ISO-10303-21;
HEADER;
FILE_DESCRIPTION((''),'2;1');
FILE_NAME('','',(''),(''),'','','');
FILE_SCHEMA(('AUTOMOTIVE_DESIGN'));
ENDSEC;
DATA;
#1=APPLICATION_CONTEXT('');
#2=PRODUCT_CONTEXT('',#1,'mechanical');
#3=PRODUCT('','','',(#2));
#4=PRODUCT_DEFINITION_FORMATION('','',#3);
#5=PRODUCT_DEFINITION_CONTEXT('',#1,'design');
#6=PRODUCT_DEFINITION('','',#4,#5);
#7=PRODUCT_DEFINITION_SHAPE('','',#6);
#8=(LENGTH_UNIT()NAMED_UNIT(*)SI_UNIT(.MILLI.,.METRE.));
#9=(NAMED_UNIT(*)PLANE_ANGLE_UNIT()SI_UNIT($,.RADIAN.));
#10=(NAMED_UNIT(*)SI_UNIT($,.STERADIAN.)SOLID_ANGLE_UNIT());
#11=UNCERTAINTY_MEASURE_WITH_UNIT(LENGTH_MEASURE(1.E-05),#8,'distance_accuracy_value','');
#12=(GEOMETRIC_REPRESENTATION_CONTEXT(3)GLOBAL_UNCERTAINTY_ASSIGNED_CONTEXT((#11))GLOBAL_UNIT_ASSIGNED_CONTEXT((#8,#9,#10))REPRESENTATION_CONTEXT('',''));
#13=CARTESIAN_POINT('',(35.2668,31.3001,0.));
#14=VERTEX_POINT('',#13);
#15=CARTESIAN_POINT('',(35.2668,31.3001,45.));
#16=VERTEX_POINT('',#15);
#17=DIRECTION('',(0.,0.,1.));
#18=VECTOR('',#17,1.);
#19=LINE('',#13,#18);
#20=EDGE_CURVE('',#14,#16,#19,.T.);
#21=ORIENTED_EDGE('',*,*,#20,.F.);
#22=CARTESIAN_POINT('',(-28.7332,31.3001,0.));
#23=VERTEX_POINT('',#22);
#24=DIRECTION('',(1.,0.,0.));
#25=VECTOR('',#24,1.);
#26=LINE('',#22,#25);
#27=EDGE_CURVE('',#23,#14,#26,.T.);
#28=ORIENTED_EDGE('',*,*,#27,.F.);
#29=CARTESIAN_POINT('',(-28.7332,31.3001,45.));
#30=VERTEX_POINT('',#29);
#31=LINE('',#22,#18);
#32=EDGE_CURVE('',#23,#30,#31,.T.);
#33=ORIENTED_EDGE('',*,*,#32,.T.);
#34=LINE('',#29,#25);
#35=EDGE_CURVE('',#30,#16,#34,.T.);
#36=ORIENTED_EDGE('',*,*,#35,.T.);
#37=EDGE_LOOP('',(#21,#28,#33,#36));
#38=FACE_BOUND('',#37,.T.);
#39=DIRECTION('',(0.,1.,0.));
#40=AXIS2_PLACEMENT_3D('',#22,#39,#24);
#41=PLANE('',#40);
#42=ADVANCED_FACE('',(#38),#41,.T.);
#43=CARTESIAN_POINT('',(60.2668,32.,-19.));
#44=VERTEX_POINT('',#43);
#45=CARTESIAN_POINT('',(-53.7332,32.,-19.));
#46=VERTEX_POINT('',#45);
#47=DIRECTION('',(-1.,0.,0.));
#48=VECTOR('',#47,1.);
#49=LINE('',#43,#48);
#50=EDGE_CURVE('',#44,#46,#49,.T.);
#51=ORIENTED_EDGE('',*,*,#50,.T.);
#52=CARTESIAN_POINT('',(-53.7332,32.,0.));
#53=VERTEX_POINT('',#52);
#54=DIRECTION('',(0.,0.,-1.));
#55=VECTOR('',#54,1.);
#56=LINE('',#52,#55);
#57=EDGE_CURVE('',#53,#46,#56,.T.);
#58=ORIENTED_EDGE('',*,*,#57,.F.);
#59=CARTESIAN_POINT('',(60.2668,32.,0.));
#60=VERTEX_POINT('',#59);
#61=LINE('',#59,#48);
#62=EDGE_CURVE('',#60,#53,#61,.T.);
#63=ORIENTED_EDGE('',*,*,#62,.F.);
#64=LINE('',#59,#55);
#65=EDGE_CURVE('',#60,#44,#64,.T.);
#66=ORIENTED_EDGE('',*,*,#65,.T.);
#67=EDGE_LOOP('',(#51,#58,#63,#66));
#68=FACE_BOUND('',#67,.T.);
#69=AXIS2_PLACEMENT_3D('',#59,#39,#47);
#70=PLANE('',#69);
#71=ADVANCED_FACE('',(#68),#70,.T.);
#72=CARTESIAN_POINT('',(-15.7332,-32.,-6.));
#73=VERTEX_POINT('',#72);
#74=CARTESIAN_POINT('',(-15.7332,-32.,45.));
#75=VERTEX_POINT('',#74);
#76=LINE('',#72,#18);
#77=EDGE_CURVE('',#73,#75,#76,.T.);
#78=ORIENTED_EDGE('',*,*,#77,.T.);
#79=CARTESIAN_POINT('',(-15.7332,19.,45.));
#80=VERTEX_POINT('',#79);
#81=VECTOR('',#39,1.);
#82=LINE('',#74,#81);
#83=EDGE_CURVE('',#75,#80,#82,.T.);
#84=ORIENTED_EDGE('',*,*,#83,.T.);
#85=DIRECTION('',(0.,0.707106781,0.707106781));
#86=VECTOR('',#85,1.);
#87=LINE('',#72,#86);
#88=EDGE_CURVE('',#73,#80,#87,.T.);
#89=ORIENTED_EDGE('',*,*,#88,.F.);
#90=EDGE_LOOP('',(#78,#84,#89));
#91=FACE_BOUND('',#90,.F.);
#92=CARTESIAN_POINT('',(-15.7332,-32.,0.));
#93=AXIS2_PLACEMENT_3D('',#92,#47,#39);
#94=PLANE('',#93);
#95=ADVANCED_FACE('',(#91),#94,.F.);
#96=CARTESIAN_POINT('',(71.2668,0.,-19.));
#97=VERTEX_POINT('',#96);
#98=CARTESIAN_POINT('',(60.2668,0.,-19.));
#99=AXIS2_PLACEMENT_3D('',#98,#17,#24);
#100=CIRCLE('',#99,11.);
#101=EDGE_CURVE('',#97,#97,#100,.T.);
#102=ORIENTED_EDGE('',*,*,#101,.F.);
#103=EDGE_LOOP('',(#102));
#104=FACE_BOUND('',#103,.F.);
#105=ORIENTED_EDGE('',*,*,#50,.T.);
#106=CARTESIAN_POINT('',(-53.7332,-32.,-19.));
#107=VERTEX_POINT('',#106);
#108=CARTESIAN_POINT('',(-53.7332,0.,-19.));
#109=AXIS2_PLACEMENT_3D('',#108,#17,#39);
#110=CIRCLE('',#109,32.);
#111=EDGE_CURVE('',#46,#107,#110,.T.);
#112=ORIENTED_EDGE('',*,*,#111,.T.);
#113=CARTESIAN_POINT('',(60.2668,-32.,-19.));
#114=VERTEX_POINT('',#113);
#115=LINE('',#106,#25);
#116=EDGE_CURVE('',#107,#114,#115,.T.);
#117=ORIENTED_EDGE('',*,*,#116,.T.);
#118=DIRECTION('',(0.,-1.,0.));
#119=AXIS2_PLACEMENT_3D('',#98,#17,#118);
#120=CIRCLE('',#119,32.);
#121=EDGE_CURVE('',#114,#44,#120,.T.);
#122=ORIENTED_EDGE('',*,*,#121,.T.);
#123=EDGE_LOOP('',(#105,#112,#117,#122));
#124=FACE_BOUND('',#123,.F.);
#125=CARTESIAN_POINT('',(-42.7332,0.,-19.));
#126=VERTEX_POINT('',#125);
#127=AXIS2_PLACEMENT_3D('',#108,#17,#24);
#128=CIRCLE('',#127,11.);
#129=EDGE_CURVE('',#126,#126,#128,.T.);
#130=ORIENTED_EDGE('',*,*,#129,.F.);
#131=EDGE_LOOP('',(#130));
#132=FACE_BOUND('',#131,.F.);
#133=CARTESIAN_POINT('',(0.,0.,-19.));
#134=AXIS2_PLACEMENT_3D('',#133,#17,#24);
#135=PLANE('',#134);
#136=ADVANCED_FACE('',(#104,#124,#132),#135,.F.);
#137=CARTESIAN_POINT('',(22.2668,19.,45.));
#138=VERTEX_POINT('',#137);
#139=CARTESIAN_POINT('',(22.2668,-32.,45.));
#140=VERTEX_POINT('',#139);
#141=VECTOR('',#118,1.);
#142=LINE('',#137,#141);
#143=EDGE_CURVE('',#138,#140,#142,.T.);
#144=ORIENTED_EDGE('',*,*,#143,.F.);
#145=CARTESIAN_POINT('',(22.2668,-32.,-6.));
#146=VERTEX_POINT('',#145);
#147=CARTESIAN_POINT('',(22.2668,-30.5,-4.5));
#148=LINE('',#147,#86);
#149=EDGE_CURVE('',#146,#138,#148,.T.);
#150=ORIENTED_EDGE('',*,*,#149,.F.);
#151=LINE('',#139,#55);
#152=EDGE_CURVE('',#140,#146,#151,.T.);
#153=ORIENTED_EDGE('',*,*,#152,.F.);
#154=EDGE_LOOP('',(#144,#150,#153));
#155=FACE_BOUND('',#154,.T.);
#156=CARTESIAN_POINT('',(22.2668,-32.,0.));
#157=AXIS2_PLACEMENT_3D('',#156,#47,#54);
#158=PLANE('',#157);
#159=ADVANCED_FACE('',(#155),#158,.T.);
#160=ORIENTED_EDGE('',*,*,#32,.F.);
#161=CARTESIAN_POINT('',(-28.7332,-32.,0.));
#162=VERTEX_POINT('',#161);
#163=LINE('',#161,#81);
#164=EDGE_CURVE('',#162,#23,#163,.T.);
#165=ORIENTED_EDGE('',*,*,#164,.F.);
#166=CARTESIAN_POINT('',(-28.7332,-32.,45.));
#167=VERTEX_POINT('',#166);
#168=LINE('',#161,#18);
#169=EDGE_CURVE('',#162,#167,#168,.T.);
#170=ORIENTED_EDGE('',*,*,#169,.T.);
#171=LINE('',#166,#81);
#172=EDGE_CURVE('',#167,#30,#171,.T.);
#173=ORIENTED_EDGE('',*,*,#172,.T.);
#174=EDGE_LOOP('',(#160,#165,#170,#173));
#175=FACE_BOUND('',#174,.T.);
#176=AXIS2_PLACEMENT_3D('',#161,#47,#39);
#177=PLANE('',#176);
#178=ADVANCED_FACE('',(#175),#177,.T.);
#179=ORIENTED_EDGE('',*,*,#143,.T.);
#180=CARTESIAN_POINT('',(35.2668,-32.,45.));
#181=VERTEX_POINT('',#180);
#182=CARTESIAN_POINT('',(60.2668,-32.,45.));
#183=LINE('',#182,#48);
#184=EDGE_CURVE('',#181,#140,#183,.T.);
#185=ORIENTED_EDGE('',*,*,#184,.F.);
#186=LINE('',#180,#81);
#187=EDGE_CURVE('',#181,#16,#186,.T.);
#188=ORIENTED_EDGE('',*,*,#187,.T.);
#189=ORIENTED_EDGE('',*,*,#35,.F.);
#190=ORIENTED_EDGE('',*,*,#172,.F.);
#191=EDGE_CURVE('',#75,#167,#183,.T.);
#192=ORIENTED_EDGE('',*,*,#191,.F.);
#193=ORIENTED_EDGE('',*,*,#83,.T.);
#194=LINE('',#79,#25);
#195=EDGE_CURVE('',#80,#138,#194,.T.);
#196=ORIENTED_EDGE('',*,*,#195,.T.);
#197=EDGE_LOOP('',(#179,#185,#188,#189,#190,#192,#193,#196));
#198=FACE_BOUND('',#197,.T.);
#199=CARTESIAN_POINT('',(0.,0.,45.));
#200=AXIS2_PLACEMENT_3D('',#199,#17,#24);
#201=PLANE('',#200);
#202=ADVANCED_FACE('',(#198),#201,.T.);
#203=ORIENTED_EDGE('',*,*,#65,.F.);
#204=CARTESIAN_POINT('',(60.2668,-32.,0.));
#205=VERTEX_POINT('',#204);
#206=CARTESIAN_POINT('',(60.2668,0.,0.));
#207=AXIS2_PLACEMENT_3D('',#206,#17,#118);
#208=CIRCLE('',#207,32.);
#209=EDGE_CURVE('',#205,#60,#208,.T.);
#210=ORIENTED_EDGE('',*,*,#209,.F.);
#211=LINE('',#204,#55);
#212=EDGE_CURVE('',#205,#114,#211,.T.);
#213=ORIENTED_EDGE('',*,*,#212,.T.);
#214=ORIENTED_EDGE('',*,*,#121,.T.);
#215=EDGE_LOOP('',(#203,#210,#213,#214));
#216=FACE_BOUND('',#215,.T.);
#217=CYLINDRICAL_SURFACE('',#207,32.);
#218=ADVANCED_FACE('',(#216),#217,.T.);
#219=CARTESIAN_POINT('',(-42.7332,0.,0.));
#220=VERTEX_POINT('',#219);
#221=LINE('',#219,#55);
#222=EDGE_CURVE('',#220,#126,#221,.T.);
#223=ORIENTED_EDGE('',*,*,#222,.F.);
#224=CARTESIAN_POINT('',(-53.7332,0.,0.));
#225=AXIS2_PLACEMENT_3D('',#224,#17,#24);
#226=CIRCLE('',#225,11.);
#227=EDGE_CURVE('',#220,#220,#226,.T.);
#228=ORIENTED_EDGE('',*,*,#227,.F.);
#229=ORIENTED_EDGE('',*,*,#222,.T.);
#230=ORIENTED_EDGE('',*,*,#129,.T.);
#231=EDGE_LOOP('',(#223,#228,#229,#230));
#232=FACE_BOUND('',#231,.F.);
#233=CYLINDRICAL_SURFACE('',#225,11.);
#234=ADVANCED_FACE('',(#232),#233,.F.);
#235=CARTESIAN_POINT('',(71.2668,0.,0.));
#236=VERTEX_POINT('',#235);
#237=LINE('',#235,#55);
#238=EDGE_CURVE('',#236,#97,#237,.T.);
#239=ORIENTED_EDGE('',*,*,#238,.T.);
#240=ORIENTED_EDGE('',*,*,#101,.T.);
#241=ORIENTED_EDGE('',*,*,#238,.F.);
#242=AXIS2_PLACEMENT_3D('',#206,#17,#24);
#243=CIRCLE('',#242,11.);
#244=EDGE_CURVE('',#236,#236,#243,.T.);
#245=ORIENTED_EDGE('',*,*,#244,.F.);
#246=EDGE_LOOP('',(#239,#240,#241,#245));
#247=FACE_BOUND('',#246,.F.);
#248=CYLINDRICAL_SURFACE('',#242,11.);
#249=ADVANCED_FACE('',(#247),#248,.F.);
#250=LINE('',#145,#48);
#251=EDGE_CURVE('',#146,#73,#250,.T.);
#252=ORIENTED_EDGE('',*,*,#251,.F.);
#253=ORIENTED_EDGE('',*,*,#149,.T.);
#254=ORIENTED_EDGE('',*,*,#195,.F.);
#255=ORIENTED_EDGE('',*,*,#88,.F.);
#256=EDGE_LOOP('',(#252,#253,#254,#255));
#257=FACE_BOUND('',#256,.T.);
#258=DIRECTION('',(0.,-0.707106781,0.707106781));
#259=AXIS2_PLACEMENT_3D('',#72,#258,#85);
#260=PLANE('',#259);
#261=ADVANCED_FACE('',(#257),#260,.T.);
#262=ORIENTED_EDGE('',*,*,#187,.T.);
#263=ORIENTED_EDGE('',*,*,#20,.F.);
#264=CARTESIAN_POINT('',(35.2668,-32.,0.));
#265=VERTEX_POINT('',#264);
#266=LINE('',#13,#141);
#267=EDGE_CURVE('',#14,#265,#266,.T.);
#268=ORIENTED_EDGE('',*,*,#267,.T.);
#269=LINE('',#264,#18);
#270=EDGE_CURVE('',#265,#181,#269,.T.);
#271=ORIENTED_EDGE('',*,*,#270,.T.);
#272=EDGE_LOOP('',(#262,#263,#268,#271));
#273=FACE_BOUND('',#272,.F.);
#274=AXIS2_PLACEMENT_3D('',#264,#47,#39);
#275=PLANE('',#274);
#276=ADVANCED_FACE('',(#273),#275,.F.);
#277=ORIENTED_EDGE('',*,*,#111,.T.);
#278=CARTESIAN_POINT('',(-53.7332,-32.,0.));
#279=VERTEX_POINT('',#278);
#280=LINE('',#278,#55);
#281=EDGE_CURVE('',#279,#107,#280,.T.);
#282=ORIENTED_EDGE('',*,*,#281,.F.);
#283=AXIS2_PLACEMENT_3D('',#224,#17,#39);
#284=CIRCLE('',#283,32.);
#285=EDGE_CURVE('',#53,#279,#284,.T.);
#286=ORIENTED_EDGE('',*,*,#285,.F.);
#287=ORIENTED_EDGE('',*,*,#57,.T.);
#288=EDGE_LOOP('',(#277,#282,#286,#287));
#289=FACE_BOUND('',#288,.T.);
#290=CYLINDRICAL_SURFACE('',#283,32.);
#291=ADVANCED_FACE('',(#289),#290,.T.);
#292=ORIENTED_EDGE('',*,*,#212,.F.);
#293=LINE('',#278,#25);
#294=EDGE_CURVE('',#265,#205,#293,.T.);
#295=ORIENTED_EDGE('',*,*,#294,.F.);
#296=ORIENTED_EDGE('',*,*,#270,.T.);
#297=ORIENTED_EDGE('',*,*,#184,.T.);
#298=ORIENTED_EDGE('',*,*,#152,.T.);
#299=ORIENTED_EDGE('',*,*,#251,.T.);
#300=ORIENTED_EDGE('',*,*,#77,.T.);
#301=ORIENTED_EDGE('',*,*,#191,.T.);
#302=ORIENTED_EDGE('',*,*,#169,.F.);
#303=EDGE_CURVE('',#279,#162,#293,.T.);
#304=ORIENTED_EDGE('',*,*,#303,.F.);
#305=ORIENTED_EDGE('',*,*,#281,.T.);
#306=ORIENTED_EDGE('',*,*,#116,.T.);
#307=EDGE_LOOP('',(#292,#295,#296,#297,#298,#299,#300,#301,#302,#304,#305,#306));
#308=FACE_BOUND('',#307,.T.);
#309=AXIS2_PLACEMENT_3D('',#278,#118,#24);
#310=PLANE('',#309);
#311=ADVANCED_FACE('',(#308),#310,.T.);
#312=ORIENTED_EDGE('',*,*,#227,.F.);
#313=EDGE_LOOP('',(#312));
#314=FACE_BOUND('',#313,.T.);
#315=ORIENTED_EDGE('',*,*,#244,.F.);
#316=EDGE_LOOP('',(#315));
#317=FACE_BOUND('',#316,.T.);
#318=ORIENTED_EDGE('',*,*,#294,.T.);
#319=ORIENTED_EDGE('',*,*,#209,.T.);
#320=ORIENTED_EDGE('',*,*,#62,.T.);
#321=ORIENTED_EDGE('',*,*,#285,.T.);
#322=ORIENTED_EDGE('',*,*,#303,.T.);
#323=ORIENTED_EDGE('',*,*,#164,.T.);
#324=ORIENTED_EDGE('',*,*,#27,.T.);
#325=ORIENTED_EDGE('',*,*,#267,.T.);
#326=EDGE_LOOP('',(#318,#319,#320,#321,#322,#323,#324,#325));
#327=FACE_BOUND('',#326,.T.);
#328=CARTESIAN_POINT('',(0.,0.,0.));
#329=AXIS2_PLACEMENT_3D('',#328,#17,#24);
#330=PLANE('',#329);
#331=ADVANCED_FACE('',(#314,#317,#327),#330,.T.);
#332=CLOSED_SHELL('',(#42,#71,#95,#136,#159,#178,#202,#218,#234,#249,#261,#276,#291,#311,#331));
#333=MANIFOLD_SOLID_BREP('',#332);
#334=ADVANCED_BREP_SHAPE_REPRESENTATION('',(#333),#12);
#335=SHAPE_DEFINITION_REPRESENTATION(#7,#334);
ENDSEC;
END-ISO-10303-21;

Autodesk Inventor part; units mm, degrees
ref_plane "YZ Plane" through (0, 0, 0) normal (1, 0, 0) x (0, 1, 0)
sketch "Sketch1" plane through (0, 0, 0) normal (0, 0, 1) x (1, 0, 0)
  point P0 (0, 0)
sketch "Sketch2" plane through (0, 0, 0) normal (0, 0, 1) x (1, 0, 0)
  line L0 (-53.7332, 0) -> (60.2668, 0) construction
  line L1 (-53.7332, -32) -> (60.2668, -32)
  line L2 (60.2668, 32) -> (-53.7332, 32)
  arc A0 (-53.7332, 32) -> (-53.7332, -32) centre (-53.7332, 0) ccw
  arc A1 (60.2668, -32) -> (60.2668, 32) centre (60.2668, 0) ccw
  point P0 (0, 0)
  point P1 (3.2668, 0)
  dimension "d0" = 32
  dimension "d1" = 32
  dimension "d2" = 114
extrude "Extrusion1" add sketch "Sketch2" against normal blind 19
ref_plane "Work Plane1" through (0, 0, 0) normal (0, 0, 1) x (1, 0, 0)
sketch "Sketch3" plane through (0, 0, 0) normal (0, 0, 1) x (1, 0, 0)
  arc A0 (60.2668, -32) -> (60.2668, 32) centre (60.2668, 0) ccw projected
  line L0 (60.2668, -32) -> (-53.7332, -32) projected
  line L1 (-28.7332, -32) -> (-28.7332, 31.3001)
  line L2 (35.2668, -32) -> (35.2668, 31.3001)
  line L3 (-53.7332, -32) -> (60.2668, -32) projected
  line L4 (-15.7332, -32) -> (-15.7332, 19)
  line L5 (22.2668, 19) -> (22.2668, -32)
  line L6 (-15.7332, 19) -> (22.2668, 19)
  line L7 (-28.7332, 31.3001) -> (35.2668, 31.3001)
  line L8 (-53.7332, 32) -> (60.2668, 32) projected
  point P0 (0, 0)
  point P1 (-54.8329, -31.8056)
  point P2 (3.2668, -32)
  point P3 (3.2668, -32)
  point P4 (3.2668, -32)
  point P5 (-15.7332, 32)
  point P6 (20.2211, 31.3001)
  point P7 (3.2668, -32)
  point P8 (3.2668, -32)
  point P9 (22.2668, -32)
  point P10 (3.2668, -32)
  point P11 (3.2668, -32)
  dimension "d6" = 58.0997
  dimension "d7" = 64
  dimension "d12" = 51
  dimension "d17" = 38
  dimension "d18" = 19
  dimension "d19" = 19
extrude "Extrusion2" add sketch "Sketch3" along normal blind 45 contours L0 L5 L6 L4 L1 L7 L2
ref_plane "Work Plane2" through (0, 0, 0) normal (0, 0, 1) x (1, 0, 0)
sketch "Sketch5" plane through (-53.7332, -32, -19) normal (0, -1, 0) x (1, 0, 0)
  line L0 (38, 19) -> (76, 19) projected
  line L1 (38, 19) -> (76, 19)
  line L2 (76, 19) -> (76, 13)
  line L3 (76, 13) -> (38, 13)
  line L4 (38, 13) -> (38, 19)
  point P0 (53.7332, 19)
  dimension "d16" = 38
  dimension "d20" = 6
extrude "Extrusion3" cut sketch "Sketch5" against normal blind 51
sketch "Sketch6" plane through (-15.7332, -32, 45) normal (1, 0, 0) x (0, 0, -1)
  line L0 (0, 51) -> (51, 51)
  line L1 (51, 51) -> (51, 0)
  line L2 (51, 0) -> (0, 51)
  point P0 (45, 32)
extrude "Extrusion4" add sketch "Sketch6" along normal blind 51
sketch "Sketch7" plane through (0, 0, 0) normal (0, 0, 1) x (1, 0, 0)
  line L0 (-28.7332, -32) -> (-28.7332, 31.3001) projected
  line L1 (-28.7332, 31.3001) -> (35.2668, 31.3001) projected
  line L2 (35.2668, 31.3001) -> (35.2668, -32) projected
  line L3 (35.2668, -32) -> (60.2668, -32) projected
  arc A0 (60.2668, -32) -> (60.2668, 32) centre (60.2668, 0) ccw projected
  line L4 (60.2668, 32) -> (-53.7332, 32) projected
  arc A1 (-53.7332, 32) -> (-53.7332, -32) centre (-53.7332, 0) ccw projected
  line L5 (-53.7332, -32) -> (-28.7332, -32) projected
  circle A2 centre (-53.7332, 0) radius 11
  circle A3 centre (60.2668, 0) radius 11
  point P0 (0, 0)
  dimension "d25" = 22
  dimension "d26" = 22
  dimension "d27" = 114
extrude "Extrusion5" cut sketch "Sketch7" against normal through all contours A2 | A3
properties material "Nylon 6/6"
